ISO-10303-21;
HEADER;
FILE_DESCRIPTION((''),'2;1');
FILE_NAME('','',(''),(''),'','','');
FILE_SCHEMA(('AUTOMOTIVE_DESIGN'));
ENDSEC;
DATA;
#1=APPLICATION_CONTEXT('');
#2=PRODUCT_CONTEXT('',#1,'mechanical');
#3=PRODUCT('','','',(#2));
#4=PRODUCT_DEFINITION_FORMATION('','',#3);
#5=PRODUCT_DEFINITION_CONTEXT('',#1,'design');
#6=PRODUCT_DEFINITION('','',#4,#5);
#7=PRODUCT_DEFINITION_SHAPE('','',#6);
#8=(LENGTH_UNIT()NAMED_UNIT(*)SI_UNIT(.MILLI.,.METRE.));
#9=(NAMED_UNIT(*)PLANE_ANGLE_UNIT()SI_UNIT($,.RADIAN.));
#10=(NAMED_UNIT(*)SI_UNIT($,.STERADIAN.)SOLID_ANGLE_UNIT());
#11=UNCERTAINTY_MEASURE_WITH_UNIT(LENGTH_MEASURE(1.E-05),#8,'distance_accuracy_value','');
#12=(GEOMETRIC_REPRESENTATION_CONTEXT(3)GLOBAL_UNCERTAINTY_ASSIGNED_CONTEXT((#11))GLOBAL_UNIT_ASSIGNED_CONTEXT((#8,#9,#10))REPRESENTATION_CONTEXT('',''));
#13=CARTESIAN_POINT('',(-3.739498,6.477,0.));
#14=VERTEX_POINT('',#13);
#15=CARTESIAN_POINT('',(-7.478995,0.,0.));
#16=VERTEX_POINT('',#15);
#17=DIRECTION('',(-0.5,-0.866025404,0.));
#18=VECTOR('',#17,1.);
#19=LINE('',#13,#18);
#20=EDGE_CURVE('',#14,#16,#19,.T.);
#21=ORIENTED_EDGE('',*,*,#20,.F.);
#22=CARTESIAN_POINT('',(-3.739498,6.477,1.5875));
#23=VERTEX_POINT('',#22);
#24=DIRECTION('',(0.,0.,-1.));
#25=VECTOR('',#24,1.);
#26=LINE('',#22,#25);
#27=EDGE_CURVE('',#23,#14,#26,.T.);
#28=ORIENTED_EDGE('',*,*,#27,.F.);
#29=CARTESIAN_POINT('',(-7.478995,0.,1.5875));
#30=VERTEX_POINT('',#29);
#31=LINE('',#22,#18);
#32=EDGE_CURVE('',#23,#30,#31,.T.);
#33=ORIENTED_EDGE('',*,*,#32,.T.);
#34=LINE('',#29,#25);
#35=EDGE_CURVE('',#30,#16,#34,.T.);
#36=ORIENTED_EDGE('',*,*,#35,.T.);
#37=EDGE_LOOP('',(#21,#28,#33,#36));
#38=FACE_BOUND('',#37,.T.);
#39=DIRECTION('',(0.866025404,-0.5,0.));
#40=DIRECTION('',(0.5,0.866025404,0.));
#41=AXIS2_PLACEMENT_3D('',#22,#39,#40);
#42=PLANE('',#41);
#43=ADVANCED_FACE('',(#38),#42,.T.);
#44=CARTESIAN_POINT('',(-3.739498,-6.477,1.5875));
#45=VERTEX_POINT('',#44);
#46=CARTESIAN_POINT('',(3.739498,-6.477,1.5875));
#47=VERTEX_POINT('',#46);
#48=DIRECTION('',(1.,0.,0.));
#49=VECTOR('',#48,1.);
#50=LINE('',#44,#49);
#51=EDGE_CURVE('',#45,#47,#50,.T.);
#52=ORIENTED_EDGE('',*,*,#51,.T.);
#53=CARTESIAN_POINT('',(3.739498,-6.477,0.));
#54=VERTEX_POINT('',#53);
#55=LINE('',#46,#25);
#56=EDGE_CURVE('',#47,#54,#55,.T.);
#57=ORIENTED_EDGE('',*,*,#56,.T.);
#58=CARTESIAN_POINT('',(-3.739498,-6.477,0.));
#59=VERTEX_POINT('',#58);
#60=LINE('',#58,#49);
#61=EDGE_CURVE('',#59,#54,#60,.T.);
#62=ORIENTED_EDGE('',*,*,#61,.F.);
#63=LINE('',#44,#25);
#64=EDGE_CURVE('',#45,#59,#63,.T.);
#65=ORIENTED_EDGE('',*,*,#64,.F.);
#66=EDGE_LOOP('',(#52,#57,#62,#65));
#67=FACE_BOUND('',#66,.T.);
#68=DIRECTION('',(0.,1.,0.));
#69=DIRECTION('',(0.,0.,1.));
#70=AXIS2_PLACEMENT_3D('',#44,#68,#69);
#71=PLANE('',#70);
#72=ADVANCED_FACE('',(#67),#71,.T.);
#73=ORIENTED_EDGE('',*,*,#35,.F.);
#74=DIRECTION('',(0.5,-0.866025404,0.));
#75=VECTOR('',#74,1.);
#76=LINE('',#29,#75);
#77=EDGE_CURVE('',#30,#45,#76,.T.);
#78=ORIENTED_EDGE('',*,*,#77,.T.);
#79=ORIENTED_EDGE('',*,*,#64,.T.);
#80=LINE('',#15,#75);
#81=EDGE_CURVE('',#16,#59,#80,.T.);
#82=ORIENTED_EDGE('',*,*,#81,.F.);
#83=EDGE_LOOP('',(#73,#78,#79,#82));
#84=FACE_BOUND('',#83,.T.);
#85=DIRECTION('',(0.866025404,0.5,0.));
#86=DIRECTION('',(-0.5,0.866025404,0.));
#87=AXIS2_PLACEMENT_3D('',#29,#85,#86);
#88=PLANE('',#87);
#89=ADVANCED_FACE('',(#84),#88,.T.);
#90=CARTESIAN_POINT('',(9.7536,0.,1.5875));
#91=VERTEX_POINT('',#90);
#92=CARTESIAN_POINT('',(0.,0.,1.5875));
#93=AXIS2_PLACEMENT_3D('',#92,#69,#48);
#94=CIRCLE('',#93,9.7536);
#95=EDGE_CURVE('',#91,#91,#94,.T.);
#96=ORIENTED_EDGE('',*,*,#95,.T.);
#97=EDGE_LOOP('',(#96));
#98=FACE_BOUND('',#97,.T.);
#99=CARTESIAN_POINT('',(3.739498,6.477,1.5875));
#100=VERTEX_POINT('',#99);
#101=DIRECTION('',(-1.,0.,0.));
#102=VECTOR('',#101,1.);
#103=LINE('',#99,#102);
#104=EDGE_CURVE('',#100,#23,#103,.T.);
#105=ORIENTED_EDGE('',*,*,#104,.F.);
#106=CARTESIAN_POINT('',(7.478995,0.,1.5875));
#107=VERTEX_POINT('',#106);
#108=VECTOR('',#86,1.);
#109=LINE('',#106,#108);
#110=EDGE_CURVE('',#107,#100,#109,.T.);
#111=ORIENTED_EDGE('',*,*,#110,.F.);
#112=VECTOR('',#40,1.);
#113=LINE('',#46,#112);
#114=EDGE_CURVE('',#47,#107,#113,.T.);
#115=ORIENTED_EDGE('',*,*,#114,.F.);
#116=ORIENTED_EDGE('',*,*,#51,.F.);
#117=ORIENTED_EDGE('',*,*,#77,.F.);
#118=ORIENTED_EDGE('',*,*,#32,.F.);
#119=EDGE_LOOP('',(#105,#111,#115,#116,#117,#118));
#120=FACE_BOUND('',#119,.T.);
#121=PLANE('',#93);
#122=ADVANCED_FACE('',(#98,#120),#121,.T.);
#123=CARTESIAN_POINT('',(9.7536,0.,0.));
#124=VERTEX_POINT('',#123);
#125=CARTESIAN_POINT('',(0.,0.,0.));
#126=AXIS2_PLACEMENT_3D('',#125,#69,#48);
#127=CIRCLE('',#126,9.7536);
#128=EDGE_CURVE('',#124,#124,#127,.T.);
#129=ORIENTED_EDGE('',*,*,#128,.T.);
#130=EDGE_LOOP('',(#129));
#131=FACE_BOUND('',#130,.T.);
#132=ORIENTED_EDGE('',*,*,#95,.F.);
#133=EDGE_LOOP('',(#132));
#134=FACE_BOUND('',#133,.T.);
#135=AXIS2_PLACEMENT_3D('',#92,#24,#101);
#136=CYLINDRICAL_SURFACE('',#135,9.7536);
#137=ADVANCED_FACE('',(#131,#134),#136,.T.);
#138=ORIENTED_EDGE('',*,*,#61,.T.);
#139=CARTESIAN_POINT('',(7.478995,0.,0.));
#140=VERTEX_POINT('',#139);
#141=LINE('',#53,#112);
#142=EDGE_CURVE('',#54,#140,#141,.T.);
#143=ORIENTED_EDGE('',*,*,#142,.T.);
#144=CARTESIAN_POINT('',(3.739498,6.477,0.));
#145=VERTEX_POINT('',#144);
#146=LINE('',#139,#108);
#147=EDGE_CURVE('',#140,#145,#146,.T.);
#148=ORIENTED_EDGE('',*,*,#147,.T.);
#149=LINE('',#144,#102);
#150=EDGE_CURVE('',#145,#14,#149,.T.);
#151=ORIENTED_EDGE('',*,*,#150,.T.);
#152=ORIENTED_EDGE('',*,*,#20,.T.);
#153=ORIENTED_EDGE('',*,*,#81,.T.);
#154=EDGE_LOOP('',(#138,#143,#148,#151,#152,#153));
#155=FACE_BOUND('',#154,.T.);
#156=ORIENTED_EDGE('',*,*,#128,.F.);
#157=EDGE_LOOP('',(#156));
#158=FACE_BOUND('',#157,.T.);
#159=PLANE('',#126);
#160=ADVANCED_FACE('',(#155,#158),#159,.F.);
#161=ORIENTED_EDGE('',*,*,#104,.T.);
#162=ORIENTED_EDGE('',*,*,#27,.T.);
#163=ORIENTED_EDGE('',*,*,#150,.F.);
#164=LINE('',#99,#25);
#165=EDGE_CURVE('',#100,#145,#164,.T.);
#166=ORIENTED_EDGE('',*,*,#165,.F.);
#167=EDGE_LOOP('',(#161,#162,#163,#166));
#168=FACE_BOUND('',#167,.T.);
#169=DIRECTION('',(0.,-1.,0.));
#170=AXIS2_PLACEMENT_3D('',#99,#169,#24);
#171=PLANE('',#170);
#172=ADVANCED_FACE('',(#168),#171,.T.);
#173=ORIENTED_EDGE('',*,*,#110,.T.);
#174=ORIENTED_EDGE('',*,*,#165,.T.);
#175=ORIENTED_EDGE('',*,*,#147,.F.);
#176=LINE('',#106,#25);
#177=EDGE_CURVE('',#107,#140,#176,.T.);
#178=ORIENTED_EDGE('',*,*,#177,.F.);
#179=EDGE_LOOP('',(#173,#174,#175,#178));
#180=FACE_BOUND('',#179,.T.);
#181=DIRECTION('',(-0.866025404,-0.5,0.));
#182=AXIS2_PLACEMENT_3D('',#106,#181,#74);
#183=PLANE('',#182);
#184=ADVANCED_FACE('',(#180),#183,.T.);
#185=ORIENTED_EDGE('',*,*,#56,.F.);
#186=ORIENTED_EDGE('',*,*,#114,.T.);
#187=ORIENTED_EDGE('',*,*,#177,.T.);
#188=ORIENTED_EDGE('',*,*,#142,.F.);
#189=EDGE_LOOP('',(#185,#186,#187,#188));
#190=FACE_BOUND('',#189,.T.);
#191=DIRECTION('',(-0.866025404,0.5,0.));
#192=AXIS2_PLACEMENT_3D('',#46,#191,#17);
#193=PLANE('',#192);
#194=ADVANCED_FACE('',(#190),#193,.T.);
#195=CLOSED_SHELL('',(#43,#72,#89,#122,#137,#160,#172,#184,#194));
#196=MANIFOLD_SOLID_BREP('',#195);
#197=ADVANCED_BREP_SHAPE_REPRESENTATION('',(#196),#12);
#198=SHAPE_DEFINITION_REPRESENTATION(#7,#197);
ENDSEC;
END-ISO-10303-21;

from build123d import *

# Parameters (mm, degrees)
SKETCH1_R           = 9.7536
BOSS_EXTRUDE1_DEPTH = 1.5875


with BuildPart() as part:
    # Sketch1 → Boss-Extrude1 (new body)
    with BuildSketch(Plane.XY):
        Circle(SKETCH1_R)
        Polygon((7.478995387, 0), (3.739497694, 6.477), (-3.739497694, 6.477), (-7.478995387, 0), (-3.739497694, -6.477), (3.739497694, -6.477), align=None, mode=Mode.SUBTRACT)
    extrude(amount=BOSS_EXTRUDE1_DEPTH)


solid = part.part
